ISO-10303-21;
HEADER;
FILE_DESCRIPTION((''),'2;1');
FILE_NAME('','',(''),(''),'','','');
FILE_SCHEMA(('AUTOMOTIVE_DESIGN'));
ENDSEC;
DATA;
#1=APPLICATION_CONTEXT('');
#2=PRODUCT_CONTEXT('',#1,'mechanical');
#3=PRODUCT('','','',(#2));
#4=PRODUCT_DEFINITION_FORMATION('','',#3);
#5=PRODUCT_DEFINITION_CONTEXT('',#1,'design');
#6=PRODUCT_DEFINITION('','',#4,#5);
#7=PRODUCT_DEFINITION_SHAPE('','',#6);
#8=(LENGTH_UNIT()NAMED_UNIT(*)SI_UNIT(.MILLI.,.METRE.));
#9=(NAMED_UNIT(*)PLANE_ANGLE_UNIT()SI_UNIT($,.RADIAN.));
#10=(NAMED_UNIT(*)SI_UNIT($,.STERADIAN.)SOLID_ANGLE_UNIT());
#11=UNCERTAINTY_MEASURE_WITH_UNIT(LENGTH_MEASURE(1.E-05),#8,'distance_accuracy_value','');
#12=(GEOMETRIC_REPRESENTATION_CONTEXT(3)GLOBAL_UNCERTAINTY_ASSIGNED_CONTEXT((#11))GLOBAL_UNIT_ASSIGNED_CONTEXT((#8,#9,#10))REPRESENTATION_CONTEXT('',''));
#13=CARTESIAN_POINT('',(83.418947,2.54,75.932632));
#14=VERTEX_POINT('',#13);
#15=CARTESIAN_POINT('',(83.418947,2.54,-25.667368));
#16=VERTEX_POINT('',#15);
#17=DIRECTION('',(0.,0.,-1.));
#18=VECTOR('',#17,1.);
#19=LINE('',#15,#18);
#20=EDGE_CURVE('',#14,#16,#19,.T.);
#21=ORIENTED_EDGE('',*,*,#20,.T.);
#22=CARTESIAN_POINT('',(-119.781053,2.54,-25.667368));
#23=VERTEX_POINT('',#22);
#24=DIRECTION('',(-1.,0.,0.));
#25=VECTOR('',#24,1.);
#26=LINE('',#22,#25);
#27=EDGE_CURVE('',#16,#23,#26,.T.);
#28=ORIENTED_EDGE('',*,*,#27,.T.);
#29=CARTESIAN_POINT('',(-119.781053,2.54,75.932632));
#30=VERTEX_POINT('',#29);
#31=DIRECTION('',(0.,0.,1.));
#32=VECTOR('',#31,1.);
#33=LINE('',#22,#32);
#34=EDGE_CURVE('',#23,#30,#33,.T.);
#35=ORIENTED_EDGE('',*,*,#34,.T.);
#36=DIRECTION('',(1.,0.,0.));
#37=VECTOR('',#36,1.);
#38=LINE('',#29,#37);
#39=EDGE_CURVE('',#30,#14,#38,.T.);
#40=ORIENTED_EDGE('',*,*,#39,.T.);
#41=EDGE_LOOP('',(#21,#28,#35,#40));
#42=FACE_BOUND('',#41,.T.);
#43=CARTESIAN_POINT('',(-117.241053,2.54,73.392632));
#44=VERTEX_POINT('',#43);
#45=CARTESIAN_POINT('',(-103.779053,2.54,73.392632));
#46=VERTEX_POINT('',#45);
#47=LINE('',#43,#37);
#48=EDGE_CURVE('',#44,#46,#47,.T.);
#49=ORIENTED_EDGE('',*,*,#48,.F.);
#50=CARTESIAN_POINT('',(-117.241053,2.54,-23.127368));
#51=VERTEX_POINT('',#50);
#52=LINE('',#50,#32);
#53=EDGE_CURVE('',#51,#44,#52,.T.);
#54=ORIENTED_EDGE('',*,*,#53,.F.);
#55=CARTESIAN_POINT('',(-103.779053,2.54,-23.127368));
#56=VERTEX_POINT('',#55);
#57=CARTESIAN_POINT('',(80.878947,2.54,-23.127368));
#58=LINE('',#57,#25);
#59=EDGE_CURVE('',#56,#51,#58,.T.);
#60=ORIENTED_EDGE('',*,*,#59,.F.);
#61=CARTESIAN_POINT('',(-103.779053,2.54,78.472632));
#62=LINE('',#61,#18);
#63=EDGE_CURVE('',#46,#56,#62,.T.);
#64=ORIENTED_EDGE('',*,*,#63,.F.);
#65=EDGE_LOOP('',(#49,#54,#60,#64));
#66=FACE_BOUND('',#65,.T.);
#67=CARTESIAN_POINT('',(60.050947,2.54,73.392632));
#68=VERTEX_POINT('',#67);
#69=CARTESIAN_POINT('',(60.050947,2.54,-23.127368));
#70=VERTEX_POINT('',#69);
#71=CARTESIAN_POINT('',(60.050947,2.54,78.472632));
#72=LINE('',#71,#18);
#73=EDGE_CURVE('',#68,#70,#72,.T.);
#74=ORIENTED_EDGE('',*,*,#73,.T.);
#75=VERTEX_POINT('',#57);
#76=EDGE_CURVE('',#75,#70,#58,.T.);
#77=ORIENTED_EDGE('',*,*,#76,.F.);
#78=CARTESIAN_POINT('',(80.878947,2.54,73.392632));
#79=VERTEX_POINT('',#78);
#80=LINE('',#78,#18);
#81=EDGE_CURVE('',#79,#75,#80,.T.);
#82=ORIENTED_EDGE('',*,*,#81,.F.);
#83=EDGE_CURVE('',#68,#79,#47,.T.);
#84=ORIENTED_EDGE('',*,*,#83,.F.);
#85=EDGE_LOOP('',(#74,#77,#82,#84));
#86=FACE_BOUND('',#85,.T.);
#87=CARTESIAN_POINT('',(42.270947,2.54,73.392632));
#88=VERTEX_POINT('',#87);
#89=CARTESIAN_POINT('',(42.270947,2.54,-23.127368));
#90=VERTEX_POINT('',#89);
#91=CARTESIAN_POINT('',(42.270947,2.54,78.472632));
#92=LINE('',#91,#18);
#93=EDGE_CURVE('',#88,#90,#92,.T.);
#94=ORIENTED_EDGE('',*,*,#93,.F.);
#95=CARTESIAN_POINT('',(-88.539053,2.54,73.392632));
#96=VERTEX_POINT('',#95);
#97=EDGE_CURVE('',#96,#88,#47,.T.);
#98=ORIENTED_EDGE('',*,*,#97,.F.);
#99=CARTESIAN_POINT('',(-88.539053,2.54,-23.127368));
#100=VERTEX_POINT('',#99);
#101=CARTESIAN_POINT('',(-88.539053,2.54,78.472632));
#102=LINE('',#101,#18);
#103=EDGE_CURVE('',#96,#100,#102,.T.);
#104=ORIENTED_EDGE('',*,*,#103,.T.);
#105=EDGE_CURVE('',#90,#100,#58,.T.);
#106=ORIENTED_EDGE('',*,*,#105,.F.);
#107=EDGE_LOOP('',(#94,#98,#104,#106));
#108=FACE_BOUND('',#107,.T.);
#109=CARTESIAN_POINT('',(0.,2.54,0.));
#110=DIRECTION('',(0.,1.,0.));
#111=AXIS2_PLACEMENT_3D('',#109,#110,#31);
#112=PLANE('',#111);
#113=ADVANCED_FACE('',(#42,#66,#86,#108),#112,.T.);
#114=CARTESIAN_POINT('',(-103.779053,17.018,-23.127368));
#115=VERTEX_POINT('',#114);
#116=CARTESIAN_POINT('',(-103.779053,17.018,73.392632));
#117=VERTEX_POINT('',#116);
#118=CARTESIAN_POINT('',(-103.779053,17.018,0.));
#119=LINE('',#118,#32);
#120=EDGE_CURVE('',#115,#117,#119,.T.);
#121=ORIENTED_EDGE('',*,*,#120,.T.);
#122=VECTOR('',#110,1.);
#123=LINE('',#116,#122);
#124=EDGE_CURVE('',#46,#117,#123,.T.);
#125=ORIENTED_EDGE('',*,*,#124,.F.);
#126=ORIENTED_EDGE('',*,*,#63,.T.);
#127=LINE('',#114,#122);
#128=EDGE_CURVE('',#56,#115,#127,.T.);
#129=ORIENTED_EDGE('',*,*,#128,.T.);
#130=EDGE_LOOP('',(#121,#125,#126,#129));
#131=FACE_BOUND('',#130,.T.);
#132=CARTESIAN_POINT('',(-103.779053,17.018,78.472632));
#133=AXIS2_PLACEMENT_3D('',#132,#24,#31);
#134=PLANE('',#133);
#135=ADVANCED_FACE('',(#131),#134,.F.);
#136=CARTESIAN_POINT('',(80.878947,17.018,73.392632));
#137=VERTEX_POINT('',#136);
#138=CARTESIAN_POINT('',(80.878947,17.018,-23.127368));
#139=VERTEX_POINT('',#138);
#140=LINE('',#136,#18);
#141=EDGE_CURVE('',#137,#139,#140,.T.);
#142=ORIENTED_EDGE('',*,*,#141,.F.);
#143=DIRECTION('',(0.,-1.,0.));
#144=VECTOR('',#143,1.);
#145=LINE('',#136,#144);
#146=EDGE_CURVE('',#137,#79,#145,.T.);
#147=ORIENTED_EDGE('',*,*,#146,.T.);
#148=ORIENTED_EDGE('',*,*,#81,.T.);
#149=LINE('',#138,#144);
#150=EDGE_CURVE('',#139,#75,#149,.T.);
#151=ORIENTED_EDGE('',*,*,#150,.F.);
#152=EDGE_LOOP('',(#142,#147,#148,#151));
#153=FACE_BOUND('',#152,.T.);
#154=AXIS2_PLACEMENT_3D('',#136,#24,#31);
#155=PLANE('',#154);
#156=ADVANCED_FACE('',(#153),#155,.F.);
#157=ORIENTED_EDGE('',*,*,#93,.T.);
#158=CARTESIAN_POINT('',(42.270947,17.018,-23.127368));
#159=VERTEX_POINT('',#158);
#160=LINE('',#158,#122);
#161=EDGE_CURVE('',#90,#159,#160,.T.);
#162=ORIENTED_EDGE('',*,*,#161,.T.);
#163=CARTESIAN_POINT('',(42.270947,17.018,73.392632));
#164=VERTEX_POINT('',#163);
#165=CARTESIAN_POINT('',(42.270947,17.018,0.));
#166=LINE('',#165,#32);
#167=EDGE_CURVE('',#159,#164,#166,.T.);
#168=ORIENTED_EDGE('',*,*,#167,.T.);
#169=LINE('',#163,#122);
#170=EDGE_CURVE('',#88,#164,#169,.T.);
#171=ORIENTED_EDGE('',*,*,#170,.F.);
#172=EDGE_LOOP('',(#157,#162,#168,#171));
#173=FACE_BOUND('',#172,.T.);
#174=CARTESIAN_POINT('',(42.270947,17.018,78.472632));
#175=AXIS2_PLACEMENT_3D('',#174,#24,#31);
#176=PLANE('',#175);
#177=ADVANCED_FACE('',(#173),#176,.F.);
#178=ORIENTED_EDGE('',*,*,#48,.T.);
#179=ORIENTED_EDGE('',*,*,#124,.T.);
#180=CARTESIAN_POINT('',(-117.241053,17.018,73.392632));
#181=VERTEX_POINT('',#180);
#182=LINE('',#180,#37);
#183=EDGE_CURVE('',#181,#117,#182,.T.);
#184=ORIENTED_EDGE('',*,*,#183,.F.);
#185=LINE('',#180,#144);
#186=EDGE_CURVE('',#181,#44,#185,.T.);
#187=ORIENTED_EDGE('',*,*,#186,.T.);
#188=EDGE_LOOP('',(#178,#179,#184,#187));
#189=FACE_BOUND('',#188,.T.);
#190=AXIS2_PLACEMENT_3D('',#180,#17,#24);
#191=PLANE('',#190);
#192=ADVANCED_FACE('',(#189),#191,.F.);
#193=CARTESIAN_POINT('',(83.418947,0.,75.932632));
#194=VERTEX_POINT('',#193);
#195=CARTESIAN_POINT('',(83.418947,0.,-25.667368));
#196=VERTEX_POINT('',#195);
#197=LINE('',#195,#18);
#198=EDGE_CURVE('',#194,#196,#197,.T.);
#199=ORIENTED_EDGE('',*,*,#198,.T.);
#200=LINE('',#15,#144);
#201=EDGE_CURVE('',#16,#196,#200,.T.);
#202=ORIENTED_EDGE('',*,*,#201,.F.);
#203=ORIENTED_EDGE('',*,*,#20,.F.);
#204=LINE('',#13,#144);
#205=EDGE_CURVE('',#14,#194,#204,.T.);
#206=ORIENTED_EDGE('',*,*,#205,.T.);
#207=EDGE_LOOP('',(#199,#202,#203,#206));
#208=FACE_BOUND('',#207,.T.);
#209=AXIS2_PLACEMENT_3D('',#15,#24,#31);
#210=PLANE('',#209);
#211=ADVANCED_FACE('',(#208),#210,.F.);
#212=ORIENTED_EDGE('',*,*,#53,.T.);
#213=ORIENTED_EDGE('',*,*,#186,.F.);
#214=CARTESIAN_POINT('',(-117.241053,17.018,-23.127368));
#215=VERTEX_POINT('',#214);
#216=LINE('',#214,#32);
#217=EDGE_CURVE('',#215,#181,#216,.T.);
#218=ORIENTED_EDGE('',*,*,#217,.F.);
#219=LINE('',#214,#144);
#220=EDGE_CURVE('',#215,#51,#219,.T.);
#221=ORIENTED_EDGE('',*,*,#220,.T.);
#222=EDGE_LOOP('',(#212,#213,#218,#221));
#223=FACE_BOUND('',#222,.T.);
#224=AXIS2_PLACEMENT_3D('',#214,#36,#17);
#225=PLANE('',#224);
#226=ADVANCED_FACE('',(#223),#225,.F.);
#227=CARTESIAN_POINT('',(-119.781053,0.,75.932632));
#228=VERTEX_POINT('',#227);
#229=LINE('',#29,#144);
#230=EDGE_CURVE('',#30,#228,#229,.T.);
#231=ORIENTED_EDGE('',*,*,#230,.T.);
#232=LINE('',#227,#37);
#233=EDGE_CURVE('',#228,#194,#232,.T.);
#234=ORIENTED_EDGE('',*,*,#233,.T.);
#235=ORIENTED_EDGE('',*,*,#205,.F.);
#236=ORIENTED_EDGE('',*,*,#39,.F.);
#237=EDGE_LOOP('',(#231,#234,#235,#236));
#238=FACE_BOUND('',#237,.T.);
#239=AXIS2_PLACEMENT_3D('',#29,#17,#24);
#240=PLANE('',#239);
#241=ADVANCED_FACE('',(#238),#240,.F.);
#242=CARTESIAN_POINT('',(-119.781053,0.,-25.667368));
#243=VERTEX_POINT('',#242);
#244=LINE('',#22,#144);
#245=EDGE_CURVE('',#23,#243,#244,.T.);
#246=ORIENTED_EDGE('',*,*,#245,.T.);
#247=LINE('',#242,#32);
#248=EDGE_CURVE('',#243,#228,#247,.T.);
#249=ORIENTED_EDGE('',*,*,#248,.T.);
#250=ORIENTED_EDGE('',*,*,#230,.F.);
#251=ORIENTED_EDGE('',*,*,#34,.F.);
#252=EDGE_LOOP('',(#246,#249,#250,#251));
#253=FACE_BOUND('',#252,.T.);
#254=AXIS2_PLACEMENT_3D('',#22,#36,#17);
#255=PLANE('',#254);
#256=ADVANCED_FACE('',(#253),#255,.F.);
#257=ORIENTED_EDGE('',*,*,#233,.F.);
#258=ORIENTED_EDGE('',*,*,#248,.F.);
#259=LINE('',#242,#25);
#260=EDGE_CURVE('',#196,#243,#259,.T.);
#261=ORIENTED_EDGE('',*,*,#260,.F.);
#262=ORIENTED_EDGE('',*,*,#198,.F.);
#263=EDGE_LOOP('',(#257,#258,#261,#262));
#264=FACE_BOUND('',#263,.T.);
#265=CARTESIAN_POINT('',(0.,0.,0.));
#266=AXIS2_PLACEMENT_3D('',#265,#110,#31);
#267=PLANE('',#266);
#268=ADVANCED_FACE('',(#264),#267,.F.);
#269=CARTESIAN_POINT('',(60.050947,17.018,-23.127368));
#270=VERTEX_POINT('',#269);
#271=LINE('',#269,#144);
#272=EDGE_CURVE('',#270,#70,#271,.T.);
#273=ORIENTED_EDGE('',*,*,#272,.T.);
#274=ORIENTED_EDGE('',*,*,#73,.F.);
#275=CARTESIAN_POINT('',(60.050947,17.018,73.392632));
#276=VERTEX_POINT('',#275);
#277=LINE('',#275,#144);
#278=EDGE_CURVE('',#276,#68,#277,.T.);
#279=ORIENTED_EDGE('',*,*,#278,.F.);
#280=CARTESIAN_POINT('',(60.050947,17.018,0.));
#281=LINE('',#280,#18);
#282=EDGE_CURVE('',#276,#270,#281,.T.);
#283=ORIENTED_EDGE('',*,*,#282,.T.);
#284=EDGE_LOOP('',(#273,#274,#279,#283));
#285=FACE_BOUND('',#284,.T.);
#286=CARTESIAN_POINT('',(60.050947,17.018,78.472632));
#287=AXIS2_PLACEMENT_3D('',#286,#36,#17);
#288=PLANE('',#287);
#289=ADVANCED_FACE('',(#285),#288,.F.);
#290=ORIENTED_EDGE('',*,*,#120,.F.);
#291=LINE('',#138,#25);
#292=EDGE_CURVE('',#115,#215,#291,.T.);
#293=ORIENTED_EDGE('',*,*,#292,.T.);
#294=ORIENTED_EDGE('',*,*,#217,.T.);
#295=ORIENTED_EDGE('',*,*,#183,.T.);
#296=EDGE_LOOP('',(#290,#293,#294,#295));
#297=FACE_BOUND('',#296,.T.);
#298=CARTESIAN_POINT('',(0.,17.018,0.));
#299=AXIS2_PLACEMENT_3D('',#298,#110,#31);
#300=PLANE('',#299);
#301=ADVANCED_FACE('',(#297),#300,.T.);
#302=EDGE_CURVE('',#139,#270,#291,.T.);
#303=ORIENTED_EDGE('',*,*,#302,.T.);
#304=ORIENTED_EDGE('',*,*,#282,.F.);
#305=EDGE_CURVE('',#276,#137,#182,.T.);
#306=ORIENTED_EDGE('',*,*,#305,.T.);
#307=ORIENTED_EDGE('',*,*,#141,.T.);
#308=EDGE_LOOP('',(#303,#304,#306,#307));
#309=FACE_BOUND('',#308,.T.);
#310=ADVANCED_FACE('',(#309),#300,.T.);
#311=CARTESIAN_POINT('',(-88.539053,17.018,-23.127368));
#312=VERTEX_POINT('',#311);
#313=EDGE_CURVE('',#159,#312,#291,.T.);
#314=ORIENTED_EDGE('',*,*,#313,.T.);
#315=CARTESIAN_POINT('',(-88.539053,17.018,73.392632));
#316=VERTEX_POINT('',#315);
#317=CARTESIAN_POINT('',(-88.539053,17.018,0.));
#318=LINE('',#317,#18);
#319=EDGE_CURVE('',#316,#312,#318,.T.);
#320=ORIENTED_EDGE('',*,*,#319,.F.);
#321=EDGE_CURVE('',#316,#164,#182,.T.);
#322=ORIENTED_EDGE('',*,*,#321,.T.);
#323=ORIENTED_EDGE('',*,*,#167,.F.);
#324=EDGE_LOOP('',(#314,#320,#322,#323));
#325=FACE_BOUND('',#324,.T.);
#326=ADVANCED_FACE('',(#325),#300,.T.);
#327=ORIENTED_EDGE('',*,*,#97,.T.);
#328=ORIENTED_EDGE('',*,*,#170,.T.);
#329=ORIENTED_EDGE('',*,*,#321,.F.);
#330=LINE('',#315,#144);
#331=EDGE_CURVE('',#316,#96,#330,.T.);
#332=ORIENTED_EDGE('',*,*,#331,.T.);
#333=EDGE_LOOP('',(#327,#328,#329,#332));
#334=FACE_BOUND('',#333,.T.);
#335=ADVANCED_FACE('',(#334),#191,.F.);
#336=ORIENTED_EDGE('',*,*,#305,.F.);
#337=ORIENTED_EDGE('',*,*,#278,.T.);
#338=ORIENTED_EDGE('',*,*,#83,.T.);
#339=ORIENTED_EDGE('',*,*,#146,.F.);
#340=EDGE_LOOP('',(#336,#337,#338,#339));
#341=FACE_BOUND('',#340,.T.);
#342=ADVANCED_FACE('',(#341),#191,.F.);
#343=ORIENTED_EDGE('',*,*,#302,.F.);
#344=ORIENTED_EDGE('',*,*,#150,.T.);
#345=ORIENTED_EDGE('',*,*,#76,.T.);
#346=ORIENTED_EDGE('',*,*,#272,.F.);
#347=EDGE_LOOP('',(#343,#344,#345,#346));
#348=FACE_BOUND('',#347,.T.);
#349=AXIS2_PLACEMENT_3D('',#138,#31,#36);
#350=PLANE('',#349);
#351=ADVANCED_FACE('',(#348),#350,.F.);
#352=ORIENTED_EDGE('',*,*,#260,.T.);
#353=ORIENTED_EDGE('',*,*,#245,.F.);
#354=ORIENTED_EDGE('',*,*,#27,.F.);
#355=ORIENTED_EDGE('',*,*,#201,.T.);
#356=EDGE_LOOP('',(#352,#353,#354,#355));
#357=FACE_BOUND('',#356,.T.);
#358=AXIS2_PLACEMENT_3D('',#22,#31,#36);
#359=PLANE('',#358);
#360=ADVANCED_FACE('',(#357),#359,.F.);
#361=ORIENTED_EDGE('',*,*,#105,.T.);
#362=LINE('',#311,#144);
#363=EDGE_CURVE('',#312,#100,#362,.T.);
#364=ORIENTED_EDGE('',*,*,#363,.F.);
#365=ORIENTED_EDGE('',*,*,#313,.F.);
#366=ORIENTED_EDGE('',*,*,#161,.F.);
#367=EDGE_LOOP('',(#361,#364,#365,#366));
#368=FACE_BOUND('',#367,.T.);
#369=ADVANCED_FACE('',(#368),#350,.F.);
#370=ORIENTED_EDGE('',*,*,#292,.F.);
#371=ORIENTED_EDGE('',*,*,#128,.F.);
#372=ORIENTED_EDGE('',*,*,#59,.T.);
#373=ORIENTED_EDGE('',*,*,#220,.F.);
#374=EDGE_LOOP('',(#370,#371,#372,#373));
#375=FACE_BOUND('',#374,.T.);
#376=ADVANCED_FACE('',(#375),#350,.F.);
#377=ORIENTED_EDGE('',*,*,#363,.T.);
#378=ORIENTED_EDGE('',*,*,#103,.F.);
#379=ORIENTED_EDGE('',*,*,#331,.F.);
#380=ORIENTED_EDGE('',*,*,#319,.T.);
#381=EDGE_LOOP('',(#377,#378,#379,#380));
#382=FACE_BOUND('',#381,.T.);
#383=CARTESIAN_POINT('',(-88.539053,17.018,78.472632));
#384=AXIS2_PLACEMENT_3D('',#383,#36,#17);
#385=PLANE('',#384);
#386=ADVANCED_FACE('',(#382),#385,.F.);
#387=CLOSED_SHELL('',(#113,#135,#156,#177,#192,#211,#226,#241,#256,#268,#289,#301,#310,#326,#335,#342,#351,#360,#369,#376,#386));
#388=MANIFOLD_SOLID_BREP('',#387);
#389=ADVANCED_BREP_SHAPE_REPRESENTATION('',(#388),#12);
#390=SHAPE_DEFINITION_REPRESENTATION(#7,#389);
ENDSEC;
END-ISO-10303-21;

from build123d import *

# Parameters (mm, degrees)
SKETCH1_W           = 203.2
SKETCH1_H           = 101.6
BOSS_EXTRUDE1_DEPTH = 2.54
SKETCH2_W           = 198.12
SKETCH2_H           = 96.52
BOSS_EXTRUDE2_DEPTH = 14.478
SKETCH4_W           = 17.78
SKETCH4_H           = 14.478
SKETCH4_W_2         = 15.24
CUT_EXTRUDE6_DEPTH  = 101.6


with BuildPart() as part:
    # Sketch1 → Boss-Extrude1 (new body)
    with BuildSketch(Plane(origin=(0, 0, 0), x_dir=(1, 0, 0), z_dir=(0, 1, 0))):
        with Locations((-18.181052632, -25.132631579)):
            Rectangle(SKETCH1_W, SKETCH1_H)
    extrude(amount=BOSS_EXTRUDE1_DEPTH)

    # Sketch2 → Boss-Extrude2 (add)
    with BuildSketch(Plane(origin=(0, 2.54, 0), x_dir=(1, 0, 0), z_dir=(0, 1, 0))):
        with Locations((-18.181052632, -25.132631579)):
            Rectangle(SKETCH2_W, SKETCH2_H)
    extrude(amount=BOSS_EXTRUDE2_DEPTH)

    # Sketch4 → Cut-Extrude6 (cut)
    with BuildSketch(Plane(origin=(0, 0, -23.127368421), x_dir=(-1, 0, 0), z_dir=(0, 0, -1))):
        with Locations((-51.160947368, 9.779)):
            Rectangle(SKETCH4_W, SKETCH4_H)
        with Locations((96.159052632, 9.779)):
            Rectangle(SKETCH4_W_2, SKETCH4_H)
    extrude(amount=-CUT_EXTRUDE6_DEPTH, mode=Mode.SUBTRACT)


solid = part.part
